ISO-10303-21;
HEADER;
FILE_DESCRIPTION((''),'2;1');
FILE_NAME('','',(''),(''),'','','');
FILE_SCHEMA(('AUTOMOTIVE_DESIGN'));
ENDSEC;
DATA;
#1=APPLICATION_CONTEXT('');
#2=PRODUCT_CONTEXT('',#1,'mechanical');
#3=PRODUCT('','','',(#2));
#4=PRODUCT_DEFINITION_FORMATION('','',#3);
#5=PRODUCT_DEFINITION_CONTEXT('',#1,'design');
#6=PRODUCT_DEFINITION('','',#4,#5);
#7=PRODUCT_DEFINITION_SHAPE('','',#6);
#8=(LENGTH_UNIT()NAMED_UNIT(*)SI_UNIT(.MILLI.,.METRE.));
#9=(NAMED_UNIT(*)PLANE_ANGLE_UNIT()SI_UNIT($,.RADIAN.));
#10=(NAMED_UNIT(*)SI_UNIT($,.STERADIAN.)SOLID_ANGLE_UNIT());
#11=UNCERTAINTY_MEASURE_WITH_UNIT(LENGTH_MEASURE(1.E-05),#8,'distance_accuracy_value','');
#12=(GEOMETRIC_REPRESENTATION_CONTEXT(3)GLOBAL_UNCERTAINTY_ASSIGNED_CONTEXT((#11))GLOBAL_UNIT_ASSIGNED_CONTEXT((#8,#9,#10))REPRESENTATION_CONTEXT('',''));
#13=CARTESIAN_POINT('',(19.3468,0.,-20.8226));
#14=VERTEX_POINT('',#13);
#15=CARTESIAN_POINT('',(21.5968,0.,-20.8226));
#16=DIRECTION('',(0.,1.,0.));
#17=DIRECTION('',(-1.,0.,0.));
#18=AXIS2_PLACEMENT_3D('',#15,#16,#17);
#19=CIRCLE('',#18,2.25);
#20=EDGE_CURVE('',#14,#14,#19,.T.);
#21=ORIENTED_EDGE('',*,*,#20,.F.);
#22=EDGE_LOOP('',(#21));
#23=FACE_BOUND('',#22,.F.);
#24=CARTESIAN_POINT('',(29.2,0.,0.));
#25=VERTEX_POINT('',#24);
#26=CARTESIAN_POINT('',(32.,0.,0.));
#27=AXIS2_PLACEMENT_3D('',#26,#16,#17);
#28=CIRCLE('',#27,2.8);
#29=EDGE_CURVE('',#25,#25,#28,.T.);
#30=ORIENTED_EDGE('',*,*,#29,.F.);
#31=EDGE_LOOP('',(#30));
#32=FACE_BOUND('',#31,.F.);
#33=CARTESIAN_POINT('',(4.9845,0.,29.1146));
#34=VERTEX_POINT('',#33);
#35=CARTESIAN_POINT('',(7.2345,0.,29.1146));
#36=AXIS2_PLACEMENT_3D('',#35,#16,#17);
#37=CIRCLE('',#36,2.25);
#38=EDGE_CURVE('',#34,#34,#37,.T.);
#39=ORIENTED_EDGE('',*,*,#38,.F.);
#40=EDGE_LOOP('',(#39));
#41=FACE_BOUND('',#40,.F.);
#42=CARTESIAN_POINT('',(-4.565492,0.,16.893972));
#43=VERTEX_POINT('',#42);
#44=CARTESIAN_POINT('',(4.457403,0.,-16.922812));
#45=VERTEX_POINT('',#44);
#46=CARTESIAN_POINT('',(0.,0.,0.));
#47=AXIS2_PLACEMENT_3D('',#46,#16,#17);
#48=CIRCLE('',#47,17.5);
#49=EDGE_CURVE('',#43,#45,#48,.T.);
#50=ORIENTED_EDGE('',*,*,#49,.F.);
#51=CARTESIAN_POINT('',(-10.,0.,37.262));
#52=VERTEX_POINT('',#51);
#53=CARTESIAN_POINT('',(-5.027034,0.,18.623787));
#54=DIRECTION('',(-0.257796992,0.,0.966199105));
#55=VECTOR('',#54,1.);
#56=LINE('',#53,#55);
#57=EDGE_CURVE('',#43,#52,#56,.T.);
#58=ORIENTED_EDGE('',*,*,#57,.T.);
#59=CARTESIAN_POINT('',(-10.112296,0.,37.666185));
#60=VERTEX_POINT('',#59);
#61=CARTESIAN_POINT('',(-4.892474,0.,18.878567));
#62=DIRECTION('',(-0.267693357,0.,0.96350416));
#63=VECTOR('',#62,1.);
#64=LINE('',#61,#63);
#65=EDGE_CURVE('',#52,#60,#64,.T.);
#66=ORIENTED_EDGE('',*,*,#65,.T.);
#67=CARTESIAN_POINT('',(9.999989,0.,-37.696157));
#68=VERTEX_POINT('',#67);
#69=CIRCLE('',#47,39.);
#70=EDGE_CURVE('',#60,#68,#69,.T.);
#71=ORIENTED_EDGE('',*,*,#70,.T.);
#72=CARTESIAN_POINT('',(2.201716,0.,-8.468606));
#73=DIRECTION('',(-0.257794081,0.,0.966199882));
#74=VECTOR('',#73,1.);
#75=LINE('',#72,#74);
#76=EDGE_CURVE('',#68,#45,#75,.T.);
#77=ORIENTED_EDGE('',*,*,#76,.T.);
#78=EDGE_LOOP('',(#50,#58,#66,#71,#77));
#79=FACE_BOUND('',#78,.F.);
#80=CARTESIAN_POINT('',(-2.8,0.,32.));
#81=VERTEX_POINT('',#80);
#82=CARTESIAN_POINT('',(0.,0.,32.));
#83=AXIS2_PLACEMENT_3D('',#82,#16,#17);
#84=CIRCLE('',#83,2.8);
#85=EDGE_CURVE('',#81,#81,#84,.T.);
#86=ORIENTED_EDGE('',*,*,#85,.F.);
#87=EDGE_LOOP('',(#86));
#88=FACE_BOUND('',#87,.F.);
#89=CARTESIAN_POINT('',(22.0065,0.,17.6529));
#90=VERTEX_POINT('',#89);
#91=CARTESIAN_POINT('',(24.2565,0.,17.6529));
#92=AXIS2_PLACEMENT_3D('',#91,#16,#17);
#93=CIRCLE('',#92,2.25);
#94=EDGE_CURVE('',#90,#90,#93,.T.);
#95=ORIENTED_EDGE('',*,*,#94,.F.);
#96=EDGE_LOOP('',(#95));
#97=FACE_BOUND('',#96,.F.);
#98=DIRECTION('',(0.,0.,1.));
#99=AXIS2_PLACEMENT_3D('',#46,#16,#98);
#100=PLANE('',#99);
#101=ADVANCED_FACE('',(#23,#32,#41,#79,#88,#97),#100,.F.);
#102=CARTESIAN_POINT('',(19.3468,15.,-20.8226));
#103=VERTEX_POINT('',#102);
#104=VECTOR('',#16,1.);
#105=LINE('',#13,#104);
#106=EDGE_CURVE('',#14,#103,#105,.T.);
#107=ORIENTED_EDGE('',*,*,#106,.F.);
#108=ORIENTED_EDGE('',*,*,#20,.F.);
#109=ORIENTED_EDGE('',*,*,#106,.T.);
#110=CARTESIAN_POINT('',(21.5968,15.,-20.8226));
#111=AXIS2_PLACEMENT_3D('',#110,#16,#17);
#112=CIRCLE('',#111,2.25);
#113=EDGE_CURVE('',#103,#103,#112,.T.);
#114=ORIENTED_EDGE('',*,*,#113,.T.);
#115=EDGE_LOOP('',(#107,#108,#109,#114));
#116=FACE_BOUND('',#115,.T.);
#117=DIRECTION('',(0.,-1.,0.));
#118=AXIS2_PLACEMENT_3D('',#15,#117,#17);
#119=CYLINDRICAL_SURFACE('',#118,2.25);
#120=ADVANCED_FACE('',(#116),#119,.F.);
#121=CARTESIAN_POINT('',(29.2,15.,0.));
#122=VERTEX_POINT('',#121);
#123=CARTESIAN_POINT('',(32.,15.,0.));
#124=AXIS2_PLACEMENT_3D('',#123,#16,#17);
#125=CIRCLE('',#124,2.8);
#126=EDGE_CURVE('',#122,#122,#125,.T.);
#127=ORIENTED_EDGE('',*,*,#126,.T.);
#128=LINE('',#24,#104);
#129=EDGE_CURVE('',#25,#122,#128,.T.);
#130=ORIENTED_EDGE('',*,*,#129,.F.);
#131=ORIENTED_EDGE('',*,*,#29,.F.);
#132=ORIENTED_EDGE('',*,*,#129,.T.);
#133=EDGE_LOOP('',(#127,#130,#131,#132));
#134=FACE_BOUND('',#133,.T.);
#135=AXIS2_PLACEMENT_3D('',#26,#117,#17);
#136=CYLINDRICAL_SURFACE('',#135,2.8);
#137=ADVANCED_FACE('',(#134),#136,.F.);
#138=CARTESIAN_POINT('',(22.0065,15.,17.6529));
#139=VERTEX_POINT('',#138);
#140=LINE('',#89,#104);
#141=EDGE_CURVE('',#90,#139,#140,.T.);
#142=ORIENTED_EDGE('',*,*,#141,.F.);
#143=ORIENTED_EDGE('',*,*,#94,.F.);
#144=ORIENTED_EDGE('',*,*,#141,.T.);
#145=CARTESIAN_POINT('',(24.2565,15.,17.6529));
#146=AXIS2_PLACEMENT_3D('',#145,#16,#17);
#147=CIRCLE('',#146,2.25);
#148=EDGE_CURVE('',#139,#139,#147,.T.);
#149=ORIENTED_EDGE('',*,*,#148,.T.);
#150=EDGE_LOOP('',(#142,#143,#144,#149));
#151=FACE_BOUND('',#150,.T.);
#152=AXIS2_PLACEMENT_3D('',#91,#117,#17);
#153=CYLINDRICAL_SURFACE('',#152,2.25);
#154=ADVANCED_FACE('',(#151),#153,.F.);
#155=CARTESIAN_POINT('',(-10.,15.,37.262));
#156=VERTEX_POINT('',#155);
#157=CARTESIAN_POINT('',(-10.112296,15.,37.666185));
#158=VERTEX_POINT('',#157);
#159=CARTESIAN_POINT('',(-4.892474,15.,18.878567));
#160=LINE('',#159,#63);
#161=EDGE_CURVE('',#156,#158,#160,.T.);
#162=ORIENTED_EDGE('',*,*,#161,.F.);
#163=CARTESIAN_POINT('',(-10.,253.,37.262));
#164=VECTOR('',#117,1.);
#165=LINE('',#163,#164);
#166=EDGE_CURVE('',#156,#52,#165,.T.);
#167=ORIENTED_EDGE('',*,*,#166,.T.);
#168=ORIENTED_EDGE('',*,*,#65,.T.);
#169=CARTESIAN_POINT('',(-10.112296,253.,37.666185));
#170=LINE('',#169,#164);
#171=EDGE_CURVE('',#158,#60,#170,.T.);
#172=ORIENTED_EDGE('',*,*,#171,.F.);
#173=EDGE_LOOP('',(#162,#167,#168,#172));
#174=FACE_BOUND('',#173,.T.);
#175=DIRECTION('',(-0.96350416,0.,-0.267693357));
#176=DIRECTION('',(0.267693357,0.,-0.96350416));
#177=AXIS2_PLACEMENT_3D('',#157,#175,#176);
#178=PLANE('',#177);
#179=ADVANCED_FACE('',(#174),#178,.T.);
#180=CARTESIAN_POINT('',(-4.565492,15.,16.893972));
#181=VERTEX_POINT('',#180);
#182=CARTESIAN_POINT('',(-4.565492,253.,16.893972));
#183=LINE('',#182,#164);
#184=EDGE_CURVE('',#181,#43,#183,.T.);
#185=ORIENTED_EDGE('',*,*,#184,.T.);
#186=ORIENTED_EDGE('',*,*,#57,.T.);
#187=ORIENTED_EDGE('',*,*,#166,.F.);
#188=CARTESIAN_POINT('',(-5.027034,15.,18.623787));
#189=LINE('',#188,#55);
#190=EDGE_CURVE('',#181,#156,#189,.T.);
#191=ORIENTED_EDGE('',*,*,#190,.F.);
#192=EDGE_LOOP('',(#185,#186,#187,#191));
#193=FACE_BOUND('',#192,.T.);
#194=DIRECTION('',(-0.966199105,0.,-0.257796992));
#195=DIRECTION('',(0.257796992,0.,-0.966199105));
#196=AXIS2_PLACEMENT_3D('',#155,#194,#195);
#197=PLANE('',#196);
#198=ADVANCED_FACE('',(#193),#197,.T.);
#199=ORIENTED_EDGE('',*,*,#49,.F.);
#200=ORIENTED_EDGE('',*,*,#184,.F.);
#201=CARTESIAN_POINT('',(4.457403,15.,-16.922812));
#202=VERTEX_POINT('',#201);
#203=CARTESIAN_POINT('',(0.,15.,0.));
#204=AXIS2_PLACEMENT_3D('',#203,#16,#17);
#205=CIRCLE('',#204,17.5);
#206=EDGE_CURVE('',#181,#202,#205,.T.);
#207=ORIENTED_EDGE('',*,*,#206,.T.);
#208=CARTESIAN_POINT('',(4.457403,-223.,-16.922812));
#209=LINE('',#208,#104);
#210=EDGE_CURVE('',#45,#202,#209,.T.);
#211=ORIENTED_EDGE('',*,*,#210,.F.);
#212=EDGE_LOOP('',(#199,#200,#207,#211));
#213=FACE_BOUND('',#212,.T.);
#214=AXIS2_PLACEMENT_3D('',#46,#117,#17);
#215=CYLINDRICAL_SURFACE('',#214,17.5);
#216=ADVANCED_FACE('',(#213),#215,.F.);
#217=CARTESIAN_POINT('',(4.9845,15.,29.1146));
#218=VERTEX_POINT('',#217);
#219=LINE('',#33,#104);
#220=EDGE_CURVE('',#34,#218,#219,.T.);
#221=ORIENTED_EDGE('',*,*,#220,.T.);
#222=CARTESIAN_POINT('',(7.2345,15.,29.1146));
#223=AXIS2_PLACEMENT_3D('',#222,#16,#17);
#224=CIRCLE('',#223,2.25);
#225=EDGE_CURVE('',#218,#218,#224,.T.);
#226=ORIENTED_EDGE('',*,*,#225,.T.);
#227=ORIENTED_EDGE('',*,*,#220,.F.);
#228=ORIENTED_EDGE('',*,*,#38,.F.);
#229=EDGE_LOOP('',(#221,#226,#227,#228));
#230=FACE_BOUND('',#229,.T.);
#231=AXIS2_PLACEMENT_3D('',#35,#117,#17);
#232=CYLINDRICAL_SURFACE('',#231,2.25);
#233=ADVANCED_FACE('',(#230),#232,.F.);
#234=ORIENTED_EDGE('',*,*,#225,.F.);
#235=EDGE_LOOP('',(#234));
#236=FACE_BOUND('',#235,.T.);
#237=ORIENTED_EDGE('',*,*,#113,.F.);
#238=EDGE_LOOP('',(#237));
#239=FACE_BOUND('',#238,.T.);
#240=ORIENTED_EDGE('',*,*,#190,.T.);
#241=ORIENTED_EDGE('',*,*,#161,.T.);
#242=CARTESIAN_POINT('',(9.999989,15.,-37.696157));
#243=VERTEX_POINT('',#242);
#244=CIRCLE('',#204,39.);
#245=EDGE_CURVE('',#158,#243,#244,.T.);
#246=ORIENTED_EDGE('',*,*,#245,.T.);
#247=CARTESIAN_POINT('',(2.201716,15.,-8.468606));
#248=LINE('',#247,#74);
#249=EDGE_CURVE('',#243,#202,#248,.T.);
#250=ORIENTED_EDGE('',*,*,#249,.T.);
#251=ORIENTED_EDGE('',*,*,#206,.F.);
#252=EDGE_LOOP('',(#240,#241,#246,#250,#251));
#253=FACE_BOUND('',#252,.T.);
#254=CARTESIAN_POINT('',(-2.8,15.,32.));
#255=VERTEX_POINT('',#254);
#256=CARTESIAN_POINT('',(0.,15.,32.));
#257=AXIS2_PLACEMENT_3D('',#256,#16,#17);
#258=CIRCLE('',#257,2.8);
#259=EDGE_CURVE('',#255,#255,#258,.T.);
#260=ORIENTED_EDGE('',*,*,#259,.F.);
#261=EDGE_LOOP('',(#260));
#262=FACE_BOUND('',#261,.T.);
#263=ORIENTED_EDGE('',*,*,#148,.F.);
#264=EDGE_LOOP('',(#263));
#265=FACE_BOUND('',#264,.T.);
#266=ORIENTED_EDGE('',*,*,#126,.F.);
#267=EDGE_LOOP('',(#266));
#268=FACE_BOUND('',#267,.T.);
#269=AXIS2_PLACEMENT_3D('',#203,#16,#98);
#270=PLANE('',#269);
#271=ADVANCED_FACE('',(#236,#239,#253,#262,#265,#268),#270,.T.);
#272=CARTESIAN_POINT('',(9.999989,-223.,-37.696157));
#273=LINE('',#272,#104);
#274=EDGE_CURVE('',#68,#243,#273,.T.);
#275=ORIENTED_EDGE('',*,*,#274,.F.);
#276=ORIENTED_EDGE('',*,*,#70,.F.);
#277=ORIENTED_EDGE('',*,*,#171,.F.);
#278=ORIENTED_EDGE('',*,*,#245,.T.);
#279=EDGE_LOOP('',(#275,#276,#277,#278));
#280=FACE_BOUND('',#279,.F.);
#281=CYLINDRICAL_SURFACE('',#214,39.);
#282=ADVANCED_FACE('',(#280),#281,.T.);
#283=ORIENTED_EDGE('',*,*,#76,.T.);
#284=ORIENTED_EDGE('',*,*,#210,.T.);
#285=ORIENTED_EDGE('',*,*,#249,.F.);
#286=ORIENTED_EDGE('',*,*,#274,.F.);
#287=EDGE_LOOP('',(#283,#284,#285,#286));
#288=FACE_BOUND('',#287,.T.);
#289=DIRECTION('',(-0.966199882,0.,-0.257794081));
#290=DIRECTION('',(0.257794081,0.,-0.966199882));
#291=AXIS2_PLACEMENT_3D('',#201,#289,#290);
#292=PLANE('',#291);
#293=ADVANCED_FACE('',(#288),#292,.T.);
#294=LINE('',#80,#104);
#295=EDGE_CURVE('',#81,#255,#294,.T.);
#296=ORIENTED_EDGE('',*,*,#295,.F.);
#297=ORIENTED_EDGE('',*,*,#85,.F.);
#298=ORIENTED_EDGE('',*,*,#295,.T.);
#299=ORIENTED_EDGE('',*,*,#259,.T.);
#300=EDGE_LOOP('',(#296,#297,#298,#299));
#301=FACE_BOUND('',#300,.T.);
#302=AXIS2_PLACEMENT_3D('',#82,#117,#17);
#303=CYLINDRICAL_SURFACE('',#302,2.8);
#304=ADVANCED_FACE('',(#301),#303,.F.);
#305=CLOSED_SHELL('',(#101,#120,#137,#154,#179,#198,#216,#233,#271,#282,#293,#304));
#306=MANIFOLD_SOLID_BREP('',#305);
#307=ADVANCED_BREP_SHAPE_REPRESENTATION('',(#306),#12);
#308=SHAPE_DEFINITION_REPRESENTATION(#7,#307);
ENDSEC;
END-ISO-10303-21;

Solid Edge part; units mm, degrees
sketch "Sketch1" plane through (0, 0, 0) normal (0, 1, 0) x (-1, 0, 0)
  circle A0 centre (16.756, -24.8845) radius 2.25
  circle A1 centre (27.4161, 12.1803) radius 2.25
  circle A2 centre (-7.2345, 29.1146) radius 2.25
  circle A3 centre (-21.5968, -20.8226) radius 2.25
  circle A4 centre (0, -32) radius 2.8
  circle A5 centre (0, 32) radius 2.8
  circle A6 centre (0, 0) radius 39
  circle A7 centre (-32, 0) radius 2.8
  circle A8 centre (32, 0) radius 2.8
  circle A9 centre (-24.2565, 17.6529) radius 2.25
  circle A10 centre (13.1726, 26.9533) radius 2.25
  circle A11 centre (28.8313, -8.2921) radius 2.25
  circle A12 centre (0, 0) radius 17.5
extrude "Protrusion1" add sketch "Sketch1" along normal blind 15
sketch "Sketch2" plane through (0, 15, 0) normal (0, 1, 0) x (-1, 0, 0)
  circle A0 centre (27.4161, 12.1803) radius 2.25
  circle A1 centre (32, 0) radius 2.8
  circle A2 centre (13.1726, 26.9533) radius 2.25
  circle A3 centre (16.756, -24.8845) radius 2.25
  circle A4 centre (28.8313, -8.2921) radius 2.25
  circle A5 centre (0, -32) radius 2.8
  arc A6 (4.5655, 16.894) -> (-4.4574, -16.9228) centre (0, 0) cw
  line L0 (-4.4574, -16.9228) -> (-10, -37.6962)
  arc A7 (10.1123, 37.6662) -> (-10, -37.6962) centre (0, 0) cw
  line L1 (10.1123, 37.6662) -> (10, 37.262)
  line L2 (10, 37.262) -> (4.5655, 16.894)
extrude "ExtrudedCutout_1" cut sketch "Sketch2" along normal mid plane 476
